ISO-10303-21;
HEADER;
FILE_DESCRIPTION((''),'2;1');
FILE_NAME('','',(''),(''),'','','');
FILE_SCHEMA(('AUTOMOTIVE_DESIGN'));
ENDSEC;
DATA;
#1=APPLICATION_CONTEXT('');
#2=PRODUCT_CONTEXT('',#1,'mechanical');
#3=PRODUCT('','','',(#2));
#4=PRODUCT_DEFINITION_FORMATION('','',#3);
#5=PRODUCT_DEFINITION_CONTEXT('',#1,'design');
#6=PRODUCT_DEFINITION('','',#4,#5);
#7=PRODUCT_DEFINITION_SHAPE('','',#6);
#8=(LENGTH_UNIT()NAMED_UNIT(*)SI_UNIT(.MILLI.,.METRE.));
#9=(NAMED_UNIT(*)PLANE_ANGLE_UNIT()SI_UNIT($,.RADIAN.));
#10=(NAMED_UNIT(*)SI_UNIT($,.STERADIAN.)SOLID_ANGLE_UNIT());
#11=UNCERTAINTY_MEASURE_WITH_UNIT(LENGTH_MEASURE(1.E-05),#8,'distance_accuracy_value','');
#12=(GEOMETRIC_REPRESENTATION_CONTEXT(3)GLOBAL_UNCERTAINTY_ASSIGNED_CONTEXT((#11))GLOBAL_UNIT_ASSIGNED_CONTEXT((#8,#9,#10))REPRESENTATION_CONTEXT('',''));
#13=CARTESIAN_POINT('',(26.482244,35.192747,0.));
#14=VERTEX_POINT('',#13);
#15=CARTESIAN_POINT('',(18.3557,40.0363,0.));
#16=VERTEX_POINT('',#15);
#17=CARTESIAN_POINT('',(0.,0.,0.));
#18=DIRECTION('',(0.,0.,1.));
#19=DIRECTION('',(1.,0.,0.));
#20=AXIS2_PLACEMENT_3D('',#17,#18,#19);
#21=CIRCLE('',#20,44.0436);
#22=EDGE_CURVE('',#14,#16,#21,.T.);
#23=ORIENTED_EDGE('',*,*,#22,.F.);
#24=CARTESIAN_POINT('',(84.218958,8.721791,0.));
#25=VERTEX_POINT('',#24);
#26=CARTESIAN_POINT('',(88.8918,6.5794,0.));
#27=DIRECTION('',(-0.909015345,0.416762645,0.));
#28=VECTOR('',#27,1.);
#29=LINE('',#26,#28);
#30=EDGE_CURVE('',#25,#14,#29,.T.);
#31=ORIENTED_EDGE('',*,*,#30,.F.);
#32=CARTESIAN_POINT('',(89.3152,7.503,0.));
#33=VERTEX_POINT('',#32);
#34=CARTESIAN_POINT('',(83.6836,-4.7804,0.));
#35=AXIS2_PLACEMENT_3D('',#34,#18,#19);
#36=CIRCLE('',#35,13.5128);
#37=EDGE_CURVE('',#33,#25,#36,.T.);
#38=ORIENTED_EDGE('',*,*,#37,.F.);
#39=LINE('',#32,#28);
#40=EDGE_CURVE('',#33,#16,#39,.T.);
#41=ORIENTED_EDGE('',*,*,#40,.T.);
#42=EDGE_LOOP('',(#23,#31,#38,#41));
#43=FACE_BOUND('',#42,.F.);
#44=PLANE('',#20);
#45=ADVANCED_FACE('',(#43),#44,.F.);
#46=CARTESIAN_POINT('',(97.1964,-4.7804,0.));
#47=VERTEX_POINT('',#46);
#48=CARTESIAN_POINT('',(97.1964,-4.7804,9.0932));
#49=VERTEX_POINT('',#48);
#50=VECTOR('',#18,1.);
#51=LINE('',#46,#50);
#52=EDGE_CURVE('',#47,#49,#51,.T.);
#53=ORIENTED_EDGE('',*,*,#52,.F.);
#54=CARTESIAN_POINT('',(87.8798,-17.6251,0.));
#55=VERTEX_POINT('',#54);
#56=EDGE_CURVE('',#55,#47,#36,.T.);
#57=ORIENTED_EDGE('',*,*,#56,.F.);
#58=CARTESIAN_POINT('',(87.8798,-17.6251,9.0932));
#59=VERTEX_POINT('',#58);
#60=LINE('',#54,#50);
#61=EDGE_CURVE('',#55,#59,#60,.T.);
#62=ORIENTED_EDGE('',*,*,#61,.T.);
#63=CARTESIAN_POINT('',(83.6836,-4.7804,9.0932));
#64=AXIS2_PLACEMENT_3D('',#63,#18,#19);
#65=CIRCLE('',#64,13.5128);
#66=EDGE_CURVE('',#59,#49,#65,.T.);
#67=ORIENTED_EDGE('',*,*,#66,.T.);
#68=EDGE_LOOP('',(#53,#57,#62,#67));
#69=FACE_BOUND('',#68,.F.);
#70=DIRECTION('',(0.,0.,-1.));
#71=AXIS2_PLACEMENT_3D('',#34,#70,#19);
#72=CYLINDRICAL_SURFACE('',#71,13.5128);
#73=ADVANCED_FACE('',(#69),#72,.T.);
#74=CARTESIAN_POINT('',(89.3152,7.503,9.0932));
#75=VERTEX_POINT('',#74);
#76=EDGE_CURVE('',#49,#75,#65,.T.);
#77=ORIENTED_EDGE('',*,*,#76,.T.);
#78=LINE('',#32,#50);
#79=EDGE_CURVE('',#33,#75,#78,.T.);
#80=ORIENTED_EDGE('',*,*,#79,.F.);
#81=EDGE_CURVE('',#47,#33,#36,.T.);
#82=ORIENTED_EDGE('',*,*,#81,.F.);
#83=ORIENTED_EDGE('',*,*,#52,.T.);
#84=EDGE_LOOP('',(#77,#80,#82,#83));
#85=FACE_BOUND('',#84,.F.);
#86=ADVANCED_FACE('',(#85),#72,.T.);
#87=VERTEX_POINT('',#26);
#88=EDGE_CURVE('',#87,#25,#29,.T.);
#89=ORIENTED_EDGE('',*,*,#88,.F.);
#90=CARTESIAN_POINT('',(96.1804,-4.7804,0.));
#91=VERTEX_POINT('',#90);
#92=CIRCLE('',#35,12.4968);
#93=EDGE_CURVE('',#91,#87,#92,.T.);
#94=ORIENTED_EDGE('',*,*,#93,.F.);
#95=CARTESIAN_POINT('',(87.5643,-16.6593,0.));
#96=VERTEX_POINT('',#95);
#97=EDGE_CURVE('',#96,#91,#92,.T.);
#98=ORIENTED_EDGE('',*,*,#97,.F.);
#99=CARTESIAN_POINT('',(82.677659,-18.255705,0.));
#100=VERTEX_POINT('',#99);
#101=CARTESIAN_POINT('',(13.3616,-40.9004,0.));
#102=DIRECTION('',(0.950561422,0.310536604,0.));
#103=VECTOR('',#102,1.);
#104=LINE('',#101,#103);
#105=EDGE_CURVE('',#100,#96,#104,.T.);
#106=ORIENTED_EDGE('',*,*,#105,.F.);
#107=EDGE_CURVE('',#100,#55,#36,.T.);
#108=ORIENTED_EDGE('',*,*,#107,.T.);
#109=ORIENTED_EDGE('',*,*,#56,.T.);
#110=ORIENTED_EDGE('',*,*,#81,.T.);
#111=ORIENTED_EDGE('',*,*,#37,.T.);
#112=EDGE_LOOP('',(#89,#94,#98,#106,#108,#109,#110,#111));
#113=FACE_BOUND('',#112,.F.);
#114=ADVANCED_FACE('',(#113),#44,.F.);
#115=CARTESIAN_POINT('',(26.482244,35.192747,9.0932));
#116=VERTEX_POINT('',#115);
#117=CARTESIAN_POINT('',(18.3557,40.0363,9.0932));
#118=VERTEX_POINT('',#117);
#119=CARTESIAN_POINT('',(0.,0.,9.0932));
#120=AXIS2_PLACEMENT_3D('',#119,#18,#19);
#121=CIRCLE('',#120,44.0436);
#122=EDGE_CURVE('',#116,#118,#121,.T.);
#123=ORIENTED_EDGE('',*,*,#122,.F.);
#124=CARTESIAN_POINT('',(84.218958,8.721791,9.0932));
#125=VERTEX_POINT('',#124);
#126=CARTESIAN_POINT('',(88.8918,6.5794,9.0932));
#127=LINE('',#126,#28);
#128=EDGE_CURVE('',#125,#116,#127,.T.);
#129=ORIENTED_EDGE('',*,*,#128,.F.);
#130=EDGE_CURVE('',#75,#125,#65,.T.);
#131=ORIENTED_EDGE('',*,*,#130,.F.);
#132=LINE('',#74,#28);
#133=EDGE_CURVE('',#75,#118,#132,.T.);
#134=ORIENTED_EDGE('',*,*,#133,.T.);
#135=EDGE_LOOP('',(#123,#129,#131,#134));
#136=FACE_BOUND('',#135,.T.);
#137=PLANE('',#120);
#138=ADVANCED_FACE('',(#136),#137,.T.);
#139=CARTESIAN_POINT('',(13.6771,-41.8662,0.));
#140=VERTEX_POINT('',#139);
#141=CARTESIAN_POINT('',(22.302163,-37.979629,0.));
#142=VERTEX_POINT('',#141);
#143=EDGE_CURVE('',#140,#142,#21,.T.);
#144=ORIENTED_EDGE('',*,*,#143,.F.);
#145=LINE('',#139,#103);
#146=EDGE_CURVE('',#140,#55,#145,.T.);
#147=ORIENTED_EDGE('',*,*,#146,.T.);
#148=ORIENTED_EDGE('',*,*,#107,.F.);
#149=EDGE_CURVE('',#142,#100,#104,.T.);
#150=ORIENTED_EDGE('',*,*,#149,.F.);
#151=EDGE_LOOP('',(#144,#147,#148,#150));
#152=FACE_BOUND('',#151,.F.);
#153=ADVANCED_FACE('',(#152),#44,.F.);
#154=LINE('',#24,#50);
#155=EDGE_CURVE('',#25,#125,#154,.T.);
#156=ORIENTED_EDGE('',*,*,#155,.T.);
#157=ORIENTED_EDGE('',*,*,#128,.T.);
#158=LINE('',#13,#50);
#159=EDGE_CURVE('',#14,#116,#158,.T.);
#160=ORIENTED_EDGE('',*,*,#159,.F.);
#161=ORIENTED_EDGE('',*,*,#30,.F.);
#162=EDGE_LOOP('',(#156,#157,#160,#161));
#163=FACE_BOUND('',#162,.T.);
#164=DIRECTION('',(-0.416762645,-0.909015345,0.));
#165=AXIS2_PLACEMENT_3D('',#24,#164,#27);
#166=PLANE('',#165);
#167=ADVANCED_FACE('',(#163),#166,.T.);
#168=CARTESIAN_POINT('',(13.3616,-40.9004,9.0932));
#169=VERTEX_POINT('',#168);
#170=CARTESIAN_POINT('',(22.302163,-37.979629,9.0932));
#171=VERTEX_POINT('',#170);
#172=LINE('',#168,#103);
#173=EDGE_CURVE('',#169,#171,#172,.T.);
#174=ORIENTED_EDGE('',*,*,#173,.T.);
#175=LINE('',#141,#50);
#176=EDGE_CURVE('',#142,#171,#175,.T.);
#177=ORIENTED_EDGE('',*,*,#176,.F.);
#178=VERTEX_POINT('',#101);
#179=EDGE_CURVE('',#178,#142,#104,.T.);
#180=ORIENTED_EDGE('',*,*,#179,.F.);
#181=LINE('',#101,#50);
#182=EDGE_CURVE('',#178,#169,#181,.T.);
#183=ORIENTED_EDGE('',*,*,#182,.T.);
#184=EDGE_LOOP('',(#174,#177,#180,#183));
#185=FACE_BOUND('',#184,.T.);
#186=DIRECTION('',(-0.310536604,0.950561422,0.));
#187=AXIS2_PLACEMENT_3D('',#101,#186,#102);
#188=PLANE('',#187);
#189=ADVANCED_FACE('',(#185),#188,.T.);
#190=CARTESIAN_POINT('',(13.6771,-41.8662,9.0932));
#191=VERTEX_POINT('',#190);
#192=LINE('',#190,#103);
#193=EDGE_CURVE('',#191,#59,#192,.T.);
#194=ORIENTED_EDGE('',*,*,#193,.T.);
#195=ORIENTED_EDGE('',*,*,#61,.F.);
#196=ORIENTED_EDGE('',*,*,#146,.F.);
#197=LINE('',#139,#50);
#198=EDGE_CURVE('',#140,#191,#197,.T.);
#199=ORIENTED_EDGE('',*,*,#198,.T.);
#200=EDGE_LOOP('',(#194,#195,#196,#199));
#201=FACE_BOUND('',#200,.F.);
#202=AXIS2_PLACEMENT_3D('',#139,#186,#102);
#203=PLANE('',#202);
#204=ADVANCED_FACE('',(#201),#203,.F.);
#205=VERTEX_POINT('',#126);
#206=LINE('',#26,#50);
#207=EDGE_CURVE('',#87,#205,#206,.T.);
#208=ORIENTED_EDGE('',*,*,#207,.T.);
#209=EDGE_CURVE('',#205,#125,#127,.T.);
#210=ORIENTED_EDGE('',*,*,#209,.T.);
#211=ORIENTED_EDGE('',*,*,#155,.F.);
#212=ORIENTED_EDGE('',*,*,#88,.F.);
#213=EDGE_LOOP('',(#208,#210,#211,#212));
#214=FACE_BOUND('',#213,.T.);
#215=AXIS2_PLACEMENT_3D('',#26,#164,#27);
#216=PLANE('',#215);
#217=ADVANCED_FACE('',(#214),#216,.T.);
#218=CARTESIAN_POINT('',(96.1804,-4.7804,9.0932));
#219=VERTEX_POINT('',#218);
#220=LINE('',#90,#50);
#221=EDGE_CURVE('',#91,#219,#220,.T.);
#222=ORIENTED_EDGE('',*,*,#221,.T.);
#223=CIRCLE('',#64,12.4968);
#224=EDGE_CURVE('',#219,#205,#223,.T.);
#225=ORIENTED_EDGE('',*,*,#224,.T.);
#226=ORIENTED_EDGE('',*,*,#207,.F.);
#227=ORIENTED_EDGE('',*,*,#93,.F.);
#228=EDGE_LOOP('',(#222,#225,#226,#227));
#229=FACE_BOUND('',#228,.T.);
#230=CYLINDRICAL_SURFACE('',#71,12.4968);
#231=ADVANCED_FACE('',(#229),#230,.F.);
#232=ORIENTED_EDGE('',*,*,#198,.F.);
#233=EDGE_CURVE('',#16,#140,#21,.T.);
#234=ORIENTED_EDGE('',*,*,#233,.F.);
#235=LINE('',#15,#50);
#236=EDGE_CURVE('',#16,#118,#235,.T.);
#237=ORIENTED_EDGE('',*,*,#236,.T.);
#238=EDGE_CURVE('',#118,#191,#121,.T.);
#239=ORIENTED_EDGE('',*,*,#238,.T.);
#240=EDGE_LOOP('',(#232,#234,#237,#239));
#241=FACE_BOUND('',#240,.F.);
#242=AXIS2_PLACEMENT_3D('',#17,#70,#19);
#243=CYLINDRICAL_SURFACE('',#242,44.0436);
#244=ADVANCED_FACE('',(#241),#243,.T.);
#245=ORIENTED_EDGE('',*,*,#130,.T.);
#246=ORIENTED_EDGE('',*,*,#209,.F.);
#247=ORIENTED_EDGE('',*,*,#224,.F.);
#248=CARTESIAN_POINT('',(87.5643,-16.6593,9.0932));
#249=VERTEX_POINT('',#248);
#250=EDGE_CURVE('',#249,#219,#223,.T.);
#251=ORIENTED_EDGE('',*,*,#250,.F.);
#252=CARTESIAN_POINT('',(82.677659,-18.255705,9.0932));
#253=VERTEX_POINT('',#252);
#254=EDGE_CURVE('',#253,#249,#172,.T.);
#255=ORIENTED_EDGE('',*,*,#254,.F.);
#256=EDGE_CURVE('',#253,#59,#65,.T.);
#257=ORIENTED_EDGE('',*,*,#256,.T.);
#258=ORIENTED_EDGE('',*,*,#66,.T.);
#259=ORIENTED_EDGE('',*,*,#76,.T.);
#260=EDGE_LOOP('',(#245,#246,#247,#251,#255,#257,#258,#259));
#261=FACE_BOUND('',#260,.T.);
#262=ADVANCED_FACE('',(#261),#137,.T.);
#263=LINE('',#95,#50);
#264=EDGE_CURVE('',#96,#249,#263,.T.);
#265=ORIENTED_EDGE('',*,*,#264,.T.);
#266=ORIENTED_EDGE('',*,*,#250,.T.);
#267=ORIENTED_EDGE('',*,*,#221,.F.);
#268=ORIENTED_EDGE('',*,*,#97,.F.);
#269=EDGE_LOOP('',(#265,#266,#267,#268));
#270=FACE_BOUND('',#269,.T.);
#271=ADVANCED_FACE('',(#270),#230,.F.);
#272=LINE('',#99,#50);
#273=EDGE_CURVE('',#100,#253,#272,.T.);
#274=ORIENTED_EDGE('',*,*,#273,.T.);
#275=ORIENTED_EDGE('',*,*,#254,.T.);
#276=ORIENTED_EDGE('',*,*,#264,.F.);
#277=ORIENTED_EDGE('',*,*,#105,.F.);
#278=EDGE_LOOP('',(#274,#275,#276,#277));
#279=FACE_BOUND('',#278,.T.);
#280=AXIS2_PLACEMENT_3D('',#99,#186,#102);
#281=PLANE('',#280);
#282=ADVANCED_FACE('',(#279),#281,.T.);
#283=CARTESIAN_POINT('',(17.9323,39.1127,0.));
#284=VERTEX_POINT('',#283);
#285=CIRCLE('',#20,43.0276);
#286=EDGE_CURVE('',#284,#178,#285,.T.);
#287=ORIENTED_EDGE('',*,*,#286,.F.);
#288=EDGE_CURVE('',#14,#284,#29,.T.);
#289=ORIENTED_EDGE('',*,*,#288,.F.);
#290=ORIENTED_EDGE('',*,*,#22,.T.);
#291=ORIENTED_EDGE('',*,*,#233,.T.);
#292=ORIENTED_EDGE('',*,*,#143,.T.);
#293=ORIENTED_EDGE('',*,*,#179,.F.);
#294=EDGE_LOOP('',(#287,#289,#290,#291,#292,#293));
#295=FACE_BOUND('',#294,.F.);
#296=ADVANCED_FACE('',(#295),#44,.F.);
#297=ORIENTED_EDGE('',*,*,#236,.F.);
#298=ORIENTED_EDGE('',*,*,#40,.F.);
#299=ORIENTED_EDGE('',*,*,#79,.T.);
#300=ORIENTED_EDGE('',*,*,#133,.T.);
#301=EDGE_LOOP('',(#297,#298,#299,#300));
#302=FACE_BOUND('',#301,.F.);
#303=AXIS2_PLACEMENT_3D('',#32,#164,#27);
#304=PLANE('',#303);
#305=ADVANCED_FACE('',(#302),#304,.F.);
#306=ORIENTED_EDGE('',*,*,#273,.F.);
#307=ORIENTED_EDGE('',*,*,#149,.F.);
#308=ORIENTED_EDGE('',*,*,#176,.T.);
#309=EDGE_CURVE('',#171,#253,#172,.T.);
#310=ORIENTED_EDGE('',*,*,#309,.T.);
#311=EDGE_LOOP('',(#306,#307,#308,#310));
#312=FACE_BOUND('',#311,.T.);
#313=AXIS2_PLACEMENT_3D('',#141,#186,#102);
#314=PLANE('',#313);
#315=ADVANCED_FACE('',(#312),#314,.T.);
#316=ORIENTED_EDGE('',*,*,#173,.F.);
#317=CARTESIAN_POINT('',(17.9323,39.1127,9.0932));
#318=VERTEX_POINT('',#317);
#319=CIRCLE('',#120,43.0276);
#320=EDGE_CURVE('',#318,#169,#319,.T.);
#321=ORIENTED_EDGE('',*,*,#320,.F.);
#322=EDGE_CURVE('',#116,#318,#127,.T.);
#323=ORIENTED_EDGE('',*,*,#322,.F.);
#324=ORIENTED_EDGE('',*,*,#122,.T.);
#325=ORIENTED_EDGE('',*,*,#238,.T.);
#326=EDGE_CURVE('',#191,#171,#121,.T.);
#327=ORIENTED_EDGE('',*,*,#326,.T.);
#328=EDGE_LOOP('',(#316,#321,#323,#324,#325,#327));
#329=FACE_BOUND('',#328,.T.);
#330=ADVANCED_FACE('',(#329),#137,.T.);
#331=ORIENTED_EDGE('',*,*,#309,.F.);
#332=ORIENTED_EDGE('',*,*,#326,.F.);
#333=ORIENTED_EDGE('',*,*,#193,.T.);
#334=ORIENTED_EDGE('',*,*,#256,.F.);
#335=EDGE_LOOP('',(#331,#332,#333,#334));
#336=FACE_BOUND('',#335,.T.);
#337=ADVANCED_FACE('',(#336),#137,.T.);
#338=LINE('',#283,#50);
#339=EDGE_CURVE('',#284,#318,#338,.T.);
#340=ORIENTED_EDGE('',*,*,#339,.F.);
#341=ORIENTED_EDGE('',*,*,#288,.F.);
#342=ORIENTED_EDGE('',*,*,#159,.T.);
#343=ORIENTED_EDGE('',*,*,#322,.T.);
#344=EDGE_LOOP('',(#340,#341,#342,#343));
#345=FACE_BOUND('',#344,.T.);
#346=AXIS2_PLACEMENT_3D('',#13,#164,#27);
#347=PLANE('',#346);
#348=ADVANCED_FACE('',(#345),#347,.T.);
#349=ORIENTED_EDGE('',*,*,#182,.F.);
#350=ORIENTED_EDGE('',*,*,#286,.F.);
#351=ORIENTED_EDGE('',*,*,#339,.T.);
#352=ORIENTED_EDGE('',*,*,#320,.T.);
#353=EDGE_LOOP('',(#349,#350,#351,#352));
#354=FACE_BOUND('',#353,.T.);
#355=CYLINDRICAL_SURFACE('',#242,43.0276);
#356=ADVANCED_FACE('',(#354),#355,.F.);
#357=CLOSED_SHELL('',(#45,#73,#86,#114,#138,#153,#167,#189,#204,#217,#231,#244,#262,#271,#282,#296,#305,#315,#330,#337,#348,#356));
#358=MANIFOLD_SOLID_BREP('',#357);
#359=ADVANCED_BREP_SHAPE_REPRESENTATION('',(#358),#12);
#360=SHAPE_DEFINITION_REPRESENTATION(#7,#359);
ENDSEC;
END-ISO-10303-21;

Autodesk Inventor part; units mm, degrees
ref_plane "YZ Plane" through (0, 0, 0) normal (1, 0, 0) x (0, 1, 0)
ref_plane "XZ Plane" through (0, 0, 0) normal (0, 1, 0) x (-1, 0, 0)
ref_plane "XY Plane" through (0, 0, 0) normal (0, 0, 1) x (1, 0, 0)
sketch "Sketch1" plane through (0, 0, 0) normal (0, 0, 1) x (1, 0, 0)
  circle A0 centre (0, 0) radius 43.0276
  circle A1 centre (83.6836, -4.7804) radius 12.4968
  circle A2 centre (0, 0) radius 44.0436
  circle A3 centre (83.6836, -4.7804) radius 13.5128
  line L0 (13.6771, -41.8662) -> (87.8798, -17.6251)
  line L1 (13.3616, -40.9004) -> (87.5643, -16.6593)
  line L2 (88.8918, 6.5794) -> (17.9323, 39.1127)
  line L3 (89.3152, 7.503) -> (18.3557, 40.0363)
  point P0 (17.6469, -33.9959)
  point P1 (17.4567, 34.094)
  dimension "d0" = 86.0552
  dimension "d1" = 24.9936
  dimension "d2" = 83.82
  dimension "d3" = 88.0872
  dimension "d4" = 27.0256
  dimension "d5" = 1.016
  dimension "d6" = 1.016
extrude "Extrusion1" add sketch "Sketch1" along normal blind 9.0932 contours A0 L1 A2 L2 | A2 L3 A3 L2 | L1 A3 L0 A2 | A3 L1 A1 L2 picked at (-23.5196, -36.5948) picked at (90.0516, 6.6643)
properties part number "Diff Motor Belts"
